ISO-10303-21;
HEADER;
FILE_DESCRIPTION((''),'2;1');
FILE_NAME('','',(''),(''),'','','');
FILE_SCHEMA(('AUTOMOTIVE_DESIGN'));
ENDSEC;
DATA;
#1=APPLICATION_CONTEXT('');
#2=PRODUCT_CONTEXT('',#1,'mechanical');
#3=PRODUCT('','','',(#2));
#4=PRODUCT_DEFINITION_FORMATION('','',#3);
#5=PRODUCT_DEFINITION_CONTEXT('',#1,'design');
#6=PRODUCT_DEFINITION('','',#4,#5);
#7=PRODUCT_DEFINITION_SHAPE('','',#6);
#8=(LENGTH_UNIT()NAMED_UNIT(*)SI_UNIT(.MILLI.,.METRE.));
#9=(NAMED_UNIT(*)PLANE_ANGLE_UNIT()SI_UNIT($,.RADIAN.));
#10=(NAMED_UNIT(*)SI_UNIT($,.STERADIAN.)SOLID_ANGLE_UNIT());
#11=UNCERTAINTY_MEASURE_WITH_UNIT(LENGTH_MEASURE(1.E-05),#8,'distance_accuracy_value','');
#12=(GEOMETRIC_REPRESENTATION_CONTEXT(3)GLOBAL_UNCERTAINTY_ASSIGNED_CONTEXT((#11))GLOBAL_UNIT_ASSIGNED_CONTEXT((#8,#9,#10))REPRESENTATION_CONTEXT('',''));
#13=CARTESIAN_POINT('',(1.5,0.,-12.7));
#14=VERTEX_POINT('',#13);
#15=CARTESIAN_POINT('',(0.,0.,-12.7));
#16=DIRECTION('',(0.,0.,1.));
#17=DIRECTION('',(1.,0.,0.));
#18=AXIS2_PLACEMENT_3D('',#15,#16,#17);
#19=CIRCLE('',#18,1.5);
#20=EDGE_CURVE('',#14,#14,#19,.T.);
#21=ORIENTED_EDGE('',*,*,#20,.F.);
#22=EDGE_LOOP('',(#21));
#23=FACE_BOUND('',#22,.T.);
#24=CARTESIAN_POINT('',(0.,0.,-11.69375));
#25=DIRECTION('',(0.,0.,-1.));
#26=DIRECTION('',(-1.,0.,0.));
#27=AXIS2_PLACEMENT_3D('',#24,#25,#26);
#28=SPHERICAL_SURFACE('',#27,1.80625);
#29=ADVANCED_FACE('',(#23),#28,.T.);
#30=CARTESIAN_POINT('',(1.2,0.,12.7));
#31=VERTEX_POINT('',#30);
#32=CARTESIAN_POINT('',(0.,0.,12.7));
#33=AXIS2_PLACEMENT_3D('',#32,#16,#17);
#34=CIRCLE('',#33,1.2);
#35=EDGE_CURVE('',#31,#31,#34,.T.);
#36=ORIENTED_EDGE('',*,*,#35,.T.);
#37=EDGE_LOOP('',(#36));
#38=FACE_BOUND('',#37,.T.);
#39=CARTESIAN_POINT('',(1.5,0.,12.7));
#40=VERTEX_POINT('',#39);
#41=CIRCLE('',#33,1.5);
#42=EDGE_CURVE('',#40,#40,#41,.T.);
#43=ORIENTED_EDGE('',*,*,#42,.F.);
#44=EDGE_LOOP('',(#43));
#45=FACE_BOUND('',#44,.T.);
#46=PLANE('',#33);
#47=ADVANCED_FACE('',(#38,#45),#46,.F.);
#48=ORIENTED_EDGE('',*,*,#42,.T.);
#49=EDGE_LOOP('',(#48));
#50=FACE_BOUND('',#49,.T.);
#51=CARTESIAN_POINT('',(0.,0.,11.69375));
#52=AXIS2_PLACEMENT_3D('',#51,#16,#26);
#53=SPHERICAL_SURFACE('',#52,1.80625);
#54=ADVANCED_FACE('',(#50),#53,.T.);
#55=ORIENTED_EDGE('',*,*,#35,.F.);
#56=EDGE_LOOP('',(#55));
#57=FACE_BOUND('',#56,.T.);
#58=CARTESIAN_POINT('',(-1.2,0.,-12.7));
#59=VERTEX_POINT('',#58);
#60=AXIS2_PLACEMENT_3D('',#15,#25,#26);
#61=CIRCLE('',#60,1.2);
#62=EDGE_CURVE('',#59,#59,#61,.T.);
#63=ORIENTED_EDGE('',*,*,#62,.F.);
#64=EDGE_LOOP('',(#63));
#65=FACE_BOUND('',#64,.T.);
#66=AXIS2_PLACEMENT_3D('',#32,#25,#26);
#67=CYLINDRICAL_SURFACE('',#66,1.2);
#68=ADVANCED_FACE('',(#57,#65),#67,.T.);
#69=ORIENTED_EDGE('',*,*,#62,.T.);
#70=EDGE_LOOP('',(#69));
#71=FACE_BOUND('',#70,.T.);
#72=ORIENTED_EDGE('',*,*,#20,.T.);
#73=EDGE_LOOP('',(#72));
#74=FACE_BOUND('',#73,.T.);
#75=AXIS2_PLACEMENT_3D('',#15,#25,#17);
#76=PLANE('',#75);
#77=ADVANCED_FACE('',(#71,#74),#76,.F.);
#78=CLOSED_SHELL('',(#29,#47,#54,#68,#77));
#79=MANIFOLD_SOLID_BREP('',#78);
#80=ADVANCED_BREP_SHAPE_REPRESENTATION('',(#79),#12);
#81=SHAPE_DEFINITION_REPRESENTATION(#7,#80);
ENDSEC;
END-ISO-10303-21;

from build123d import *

# Parameters (mm, degrees)
CROQUIS1_R              = 1.2
SALIENTE_EXTRUIR1_DEPTH = 12.7


with BuildPart() as part:
    # Croquis1 → Saliente-Extruir1 (new, symmetric)
    with BuildSketch(Plane.XY):
        Circle(CROQUIS1_R)
    extrude(amount=SALIENTE_EXTRUIR1_DEPTH, both=True)

    # Croquis4 → Revolución1 (revolve)
    with BuildSketch(Plane(origin=(0, 0, 0), x_dir=(1, 0, 0), z_dir=(0, 1, 0))):
        with BuildLine():
            Line((0, -13.5), (0, -12.7))
            Line((0, -12.7), (-1.5, -12.7))
            ThreePointArc((-1.5, -12.7), (-0.85, -13.2875), (0, -13.5))
        make_face()
    revoluci_n1 = revolve(axis=Axis((0, 0, 13.5), (0, 0, -1)))

    # Simetría1: Revolución1 across plane
    add(revoluci_n1.mirror(Plane.XY))


solid = part.part
